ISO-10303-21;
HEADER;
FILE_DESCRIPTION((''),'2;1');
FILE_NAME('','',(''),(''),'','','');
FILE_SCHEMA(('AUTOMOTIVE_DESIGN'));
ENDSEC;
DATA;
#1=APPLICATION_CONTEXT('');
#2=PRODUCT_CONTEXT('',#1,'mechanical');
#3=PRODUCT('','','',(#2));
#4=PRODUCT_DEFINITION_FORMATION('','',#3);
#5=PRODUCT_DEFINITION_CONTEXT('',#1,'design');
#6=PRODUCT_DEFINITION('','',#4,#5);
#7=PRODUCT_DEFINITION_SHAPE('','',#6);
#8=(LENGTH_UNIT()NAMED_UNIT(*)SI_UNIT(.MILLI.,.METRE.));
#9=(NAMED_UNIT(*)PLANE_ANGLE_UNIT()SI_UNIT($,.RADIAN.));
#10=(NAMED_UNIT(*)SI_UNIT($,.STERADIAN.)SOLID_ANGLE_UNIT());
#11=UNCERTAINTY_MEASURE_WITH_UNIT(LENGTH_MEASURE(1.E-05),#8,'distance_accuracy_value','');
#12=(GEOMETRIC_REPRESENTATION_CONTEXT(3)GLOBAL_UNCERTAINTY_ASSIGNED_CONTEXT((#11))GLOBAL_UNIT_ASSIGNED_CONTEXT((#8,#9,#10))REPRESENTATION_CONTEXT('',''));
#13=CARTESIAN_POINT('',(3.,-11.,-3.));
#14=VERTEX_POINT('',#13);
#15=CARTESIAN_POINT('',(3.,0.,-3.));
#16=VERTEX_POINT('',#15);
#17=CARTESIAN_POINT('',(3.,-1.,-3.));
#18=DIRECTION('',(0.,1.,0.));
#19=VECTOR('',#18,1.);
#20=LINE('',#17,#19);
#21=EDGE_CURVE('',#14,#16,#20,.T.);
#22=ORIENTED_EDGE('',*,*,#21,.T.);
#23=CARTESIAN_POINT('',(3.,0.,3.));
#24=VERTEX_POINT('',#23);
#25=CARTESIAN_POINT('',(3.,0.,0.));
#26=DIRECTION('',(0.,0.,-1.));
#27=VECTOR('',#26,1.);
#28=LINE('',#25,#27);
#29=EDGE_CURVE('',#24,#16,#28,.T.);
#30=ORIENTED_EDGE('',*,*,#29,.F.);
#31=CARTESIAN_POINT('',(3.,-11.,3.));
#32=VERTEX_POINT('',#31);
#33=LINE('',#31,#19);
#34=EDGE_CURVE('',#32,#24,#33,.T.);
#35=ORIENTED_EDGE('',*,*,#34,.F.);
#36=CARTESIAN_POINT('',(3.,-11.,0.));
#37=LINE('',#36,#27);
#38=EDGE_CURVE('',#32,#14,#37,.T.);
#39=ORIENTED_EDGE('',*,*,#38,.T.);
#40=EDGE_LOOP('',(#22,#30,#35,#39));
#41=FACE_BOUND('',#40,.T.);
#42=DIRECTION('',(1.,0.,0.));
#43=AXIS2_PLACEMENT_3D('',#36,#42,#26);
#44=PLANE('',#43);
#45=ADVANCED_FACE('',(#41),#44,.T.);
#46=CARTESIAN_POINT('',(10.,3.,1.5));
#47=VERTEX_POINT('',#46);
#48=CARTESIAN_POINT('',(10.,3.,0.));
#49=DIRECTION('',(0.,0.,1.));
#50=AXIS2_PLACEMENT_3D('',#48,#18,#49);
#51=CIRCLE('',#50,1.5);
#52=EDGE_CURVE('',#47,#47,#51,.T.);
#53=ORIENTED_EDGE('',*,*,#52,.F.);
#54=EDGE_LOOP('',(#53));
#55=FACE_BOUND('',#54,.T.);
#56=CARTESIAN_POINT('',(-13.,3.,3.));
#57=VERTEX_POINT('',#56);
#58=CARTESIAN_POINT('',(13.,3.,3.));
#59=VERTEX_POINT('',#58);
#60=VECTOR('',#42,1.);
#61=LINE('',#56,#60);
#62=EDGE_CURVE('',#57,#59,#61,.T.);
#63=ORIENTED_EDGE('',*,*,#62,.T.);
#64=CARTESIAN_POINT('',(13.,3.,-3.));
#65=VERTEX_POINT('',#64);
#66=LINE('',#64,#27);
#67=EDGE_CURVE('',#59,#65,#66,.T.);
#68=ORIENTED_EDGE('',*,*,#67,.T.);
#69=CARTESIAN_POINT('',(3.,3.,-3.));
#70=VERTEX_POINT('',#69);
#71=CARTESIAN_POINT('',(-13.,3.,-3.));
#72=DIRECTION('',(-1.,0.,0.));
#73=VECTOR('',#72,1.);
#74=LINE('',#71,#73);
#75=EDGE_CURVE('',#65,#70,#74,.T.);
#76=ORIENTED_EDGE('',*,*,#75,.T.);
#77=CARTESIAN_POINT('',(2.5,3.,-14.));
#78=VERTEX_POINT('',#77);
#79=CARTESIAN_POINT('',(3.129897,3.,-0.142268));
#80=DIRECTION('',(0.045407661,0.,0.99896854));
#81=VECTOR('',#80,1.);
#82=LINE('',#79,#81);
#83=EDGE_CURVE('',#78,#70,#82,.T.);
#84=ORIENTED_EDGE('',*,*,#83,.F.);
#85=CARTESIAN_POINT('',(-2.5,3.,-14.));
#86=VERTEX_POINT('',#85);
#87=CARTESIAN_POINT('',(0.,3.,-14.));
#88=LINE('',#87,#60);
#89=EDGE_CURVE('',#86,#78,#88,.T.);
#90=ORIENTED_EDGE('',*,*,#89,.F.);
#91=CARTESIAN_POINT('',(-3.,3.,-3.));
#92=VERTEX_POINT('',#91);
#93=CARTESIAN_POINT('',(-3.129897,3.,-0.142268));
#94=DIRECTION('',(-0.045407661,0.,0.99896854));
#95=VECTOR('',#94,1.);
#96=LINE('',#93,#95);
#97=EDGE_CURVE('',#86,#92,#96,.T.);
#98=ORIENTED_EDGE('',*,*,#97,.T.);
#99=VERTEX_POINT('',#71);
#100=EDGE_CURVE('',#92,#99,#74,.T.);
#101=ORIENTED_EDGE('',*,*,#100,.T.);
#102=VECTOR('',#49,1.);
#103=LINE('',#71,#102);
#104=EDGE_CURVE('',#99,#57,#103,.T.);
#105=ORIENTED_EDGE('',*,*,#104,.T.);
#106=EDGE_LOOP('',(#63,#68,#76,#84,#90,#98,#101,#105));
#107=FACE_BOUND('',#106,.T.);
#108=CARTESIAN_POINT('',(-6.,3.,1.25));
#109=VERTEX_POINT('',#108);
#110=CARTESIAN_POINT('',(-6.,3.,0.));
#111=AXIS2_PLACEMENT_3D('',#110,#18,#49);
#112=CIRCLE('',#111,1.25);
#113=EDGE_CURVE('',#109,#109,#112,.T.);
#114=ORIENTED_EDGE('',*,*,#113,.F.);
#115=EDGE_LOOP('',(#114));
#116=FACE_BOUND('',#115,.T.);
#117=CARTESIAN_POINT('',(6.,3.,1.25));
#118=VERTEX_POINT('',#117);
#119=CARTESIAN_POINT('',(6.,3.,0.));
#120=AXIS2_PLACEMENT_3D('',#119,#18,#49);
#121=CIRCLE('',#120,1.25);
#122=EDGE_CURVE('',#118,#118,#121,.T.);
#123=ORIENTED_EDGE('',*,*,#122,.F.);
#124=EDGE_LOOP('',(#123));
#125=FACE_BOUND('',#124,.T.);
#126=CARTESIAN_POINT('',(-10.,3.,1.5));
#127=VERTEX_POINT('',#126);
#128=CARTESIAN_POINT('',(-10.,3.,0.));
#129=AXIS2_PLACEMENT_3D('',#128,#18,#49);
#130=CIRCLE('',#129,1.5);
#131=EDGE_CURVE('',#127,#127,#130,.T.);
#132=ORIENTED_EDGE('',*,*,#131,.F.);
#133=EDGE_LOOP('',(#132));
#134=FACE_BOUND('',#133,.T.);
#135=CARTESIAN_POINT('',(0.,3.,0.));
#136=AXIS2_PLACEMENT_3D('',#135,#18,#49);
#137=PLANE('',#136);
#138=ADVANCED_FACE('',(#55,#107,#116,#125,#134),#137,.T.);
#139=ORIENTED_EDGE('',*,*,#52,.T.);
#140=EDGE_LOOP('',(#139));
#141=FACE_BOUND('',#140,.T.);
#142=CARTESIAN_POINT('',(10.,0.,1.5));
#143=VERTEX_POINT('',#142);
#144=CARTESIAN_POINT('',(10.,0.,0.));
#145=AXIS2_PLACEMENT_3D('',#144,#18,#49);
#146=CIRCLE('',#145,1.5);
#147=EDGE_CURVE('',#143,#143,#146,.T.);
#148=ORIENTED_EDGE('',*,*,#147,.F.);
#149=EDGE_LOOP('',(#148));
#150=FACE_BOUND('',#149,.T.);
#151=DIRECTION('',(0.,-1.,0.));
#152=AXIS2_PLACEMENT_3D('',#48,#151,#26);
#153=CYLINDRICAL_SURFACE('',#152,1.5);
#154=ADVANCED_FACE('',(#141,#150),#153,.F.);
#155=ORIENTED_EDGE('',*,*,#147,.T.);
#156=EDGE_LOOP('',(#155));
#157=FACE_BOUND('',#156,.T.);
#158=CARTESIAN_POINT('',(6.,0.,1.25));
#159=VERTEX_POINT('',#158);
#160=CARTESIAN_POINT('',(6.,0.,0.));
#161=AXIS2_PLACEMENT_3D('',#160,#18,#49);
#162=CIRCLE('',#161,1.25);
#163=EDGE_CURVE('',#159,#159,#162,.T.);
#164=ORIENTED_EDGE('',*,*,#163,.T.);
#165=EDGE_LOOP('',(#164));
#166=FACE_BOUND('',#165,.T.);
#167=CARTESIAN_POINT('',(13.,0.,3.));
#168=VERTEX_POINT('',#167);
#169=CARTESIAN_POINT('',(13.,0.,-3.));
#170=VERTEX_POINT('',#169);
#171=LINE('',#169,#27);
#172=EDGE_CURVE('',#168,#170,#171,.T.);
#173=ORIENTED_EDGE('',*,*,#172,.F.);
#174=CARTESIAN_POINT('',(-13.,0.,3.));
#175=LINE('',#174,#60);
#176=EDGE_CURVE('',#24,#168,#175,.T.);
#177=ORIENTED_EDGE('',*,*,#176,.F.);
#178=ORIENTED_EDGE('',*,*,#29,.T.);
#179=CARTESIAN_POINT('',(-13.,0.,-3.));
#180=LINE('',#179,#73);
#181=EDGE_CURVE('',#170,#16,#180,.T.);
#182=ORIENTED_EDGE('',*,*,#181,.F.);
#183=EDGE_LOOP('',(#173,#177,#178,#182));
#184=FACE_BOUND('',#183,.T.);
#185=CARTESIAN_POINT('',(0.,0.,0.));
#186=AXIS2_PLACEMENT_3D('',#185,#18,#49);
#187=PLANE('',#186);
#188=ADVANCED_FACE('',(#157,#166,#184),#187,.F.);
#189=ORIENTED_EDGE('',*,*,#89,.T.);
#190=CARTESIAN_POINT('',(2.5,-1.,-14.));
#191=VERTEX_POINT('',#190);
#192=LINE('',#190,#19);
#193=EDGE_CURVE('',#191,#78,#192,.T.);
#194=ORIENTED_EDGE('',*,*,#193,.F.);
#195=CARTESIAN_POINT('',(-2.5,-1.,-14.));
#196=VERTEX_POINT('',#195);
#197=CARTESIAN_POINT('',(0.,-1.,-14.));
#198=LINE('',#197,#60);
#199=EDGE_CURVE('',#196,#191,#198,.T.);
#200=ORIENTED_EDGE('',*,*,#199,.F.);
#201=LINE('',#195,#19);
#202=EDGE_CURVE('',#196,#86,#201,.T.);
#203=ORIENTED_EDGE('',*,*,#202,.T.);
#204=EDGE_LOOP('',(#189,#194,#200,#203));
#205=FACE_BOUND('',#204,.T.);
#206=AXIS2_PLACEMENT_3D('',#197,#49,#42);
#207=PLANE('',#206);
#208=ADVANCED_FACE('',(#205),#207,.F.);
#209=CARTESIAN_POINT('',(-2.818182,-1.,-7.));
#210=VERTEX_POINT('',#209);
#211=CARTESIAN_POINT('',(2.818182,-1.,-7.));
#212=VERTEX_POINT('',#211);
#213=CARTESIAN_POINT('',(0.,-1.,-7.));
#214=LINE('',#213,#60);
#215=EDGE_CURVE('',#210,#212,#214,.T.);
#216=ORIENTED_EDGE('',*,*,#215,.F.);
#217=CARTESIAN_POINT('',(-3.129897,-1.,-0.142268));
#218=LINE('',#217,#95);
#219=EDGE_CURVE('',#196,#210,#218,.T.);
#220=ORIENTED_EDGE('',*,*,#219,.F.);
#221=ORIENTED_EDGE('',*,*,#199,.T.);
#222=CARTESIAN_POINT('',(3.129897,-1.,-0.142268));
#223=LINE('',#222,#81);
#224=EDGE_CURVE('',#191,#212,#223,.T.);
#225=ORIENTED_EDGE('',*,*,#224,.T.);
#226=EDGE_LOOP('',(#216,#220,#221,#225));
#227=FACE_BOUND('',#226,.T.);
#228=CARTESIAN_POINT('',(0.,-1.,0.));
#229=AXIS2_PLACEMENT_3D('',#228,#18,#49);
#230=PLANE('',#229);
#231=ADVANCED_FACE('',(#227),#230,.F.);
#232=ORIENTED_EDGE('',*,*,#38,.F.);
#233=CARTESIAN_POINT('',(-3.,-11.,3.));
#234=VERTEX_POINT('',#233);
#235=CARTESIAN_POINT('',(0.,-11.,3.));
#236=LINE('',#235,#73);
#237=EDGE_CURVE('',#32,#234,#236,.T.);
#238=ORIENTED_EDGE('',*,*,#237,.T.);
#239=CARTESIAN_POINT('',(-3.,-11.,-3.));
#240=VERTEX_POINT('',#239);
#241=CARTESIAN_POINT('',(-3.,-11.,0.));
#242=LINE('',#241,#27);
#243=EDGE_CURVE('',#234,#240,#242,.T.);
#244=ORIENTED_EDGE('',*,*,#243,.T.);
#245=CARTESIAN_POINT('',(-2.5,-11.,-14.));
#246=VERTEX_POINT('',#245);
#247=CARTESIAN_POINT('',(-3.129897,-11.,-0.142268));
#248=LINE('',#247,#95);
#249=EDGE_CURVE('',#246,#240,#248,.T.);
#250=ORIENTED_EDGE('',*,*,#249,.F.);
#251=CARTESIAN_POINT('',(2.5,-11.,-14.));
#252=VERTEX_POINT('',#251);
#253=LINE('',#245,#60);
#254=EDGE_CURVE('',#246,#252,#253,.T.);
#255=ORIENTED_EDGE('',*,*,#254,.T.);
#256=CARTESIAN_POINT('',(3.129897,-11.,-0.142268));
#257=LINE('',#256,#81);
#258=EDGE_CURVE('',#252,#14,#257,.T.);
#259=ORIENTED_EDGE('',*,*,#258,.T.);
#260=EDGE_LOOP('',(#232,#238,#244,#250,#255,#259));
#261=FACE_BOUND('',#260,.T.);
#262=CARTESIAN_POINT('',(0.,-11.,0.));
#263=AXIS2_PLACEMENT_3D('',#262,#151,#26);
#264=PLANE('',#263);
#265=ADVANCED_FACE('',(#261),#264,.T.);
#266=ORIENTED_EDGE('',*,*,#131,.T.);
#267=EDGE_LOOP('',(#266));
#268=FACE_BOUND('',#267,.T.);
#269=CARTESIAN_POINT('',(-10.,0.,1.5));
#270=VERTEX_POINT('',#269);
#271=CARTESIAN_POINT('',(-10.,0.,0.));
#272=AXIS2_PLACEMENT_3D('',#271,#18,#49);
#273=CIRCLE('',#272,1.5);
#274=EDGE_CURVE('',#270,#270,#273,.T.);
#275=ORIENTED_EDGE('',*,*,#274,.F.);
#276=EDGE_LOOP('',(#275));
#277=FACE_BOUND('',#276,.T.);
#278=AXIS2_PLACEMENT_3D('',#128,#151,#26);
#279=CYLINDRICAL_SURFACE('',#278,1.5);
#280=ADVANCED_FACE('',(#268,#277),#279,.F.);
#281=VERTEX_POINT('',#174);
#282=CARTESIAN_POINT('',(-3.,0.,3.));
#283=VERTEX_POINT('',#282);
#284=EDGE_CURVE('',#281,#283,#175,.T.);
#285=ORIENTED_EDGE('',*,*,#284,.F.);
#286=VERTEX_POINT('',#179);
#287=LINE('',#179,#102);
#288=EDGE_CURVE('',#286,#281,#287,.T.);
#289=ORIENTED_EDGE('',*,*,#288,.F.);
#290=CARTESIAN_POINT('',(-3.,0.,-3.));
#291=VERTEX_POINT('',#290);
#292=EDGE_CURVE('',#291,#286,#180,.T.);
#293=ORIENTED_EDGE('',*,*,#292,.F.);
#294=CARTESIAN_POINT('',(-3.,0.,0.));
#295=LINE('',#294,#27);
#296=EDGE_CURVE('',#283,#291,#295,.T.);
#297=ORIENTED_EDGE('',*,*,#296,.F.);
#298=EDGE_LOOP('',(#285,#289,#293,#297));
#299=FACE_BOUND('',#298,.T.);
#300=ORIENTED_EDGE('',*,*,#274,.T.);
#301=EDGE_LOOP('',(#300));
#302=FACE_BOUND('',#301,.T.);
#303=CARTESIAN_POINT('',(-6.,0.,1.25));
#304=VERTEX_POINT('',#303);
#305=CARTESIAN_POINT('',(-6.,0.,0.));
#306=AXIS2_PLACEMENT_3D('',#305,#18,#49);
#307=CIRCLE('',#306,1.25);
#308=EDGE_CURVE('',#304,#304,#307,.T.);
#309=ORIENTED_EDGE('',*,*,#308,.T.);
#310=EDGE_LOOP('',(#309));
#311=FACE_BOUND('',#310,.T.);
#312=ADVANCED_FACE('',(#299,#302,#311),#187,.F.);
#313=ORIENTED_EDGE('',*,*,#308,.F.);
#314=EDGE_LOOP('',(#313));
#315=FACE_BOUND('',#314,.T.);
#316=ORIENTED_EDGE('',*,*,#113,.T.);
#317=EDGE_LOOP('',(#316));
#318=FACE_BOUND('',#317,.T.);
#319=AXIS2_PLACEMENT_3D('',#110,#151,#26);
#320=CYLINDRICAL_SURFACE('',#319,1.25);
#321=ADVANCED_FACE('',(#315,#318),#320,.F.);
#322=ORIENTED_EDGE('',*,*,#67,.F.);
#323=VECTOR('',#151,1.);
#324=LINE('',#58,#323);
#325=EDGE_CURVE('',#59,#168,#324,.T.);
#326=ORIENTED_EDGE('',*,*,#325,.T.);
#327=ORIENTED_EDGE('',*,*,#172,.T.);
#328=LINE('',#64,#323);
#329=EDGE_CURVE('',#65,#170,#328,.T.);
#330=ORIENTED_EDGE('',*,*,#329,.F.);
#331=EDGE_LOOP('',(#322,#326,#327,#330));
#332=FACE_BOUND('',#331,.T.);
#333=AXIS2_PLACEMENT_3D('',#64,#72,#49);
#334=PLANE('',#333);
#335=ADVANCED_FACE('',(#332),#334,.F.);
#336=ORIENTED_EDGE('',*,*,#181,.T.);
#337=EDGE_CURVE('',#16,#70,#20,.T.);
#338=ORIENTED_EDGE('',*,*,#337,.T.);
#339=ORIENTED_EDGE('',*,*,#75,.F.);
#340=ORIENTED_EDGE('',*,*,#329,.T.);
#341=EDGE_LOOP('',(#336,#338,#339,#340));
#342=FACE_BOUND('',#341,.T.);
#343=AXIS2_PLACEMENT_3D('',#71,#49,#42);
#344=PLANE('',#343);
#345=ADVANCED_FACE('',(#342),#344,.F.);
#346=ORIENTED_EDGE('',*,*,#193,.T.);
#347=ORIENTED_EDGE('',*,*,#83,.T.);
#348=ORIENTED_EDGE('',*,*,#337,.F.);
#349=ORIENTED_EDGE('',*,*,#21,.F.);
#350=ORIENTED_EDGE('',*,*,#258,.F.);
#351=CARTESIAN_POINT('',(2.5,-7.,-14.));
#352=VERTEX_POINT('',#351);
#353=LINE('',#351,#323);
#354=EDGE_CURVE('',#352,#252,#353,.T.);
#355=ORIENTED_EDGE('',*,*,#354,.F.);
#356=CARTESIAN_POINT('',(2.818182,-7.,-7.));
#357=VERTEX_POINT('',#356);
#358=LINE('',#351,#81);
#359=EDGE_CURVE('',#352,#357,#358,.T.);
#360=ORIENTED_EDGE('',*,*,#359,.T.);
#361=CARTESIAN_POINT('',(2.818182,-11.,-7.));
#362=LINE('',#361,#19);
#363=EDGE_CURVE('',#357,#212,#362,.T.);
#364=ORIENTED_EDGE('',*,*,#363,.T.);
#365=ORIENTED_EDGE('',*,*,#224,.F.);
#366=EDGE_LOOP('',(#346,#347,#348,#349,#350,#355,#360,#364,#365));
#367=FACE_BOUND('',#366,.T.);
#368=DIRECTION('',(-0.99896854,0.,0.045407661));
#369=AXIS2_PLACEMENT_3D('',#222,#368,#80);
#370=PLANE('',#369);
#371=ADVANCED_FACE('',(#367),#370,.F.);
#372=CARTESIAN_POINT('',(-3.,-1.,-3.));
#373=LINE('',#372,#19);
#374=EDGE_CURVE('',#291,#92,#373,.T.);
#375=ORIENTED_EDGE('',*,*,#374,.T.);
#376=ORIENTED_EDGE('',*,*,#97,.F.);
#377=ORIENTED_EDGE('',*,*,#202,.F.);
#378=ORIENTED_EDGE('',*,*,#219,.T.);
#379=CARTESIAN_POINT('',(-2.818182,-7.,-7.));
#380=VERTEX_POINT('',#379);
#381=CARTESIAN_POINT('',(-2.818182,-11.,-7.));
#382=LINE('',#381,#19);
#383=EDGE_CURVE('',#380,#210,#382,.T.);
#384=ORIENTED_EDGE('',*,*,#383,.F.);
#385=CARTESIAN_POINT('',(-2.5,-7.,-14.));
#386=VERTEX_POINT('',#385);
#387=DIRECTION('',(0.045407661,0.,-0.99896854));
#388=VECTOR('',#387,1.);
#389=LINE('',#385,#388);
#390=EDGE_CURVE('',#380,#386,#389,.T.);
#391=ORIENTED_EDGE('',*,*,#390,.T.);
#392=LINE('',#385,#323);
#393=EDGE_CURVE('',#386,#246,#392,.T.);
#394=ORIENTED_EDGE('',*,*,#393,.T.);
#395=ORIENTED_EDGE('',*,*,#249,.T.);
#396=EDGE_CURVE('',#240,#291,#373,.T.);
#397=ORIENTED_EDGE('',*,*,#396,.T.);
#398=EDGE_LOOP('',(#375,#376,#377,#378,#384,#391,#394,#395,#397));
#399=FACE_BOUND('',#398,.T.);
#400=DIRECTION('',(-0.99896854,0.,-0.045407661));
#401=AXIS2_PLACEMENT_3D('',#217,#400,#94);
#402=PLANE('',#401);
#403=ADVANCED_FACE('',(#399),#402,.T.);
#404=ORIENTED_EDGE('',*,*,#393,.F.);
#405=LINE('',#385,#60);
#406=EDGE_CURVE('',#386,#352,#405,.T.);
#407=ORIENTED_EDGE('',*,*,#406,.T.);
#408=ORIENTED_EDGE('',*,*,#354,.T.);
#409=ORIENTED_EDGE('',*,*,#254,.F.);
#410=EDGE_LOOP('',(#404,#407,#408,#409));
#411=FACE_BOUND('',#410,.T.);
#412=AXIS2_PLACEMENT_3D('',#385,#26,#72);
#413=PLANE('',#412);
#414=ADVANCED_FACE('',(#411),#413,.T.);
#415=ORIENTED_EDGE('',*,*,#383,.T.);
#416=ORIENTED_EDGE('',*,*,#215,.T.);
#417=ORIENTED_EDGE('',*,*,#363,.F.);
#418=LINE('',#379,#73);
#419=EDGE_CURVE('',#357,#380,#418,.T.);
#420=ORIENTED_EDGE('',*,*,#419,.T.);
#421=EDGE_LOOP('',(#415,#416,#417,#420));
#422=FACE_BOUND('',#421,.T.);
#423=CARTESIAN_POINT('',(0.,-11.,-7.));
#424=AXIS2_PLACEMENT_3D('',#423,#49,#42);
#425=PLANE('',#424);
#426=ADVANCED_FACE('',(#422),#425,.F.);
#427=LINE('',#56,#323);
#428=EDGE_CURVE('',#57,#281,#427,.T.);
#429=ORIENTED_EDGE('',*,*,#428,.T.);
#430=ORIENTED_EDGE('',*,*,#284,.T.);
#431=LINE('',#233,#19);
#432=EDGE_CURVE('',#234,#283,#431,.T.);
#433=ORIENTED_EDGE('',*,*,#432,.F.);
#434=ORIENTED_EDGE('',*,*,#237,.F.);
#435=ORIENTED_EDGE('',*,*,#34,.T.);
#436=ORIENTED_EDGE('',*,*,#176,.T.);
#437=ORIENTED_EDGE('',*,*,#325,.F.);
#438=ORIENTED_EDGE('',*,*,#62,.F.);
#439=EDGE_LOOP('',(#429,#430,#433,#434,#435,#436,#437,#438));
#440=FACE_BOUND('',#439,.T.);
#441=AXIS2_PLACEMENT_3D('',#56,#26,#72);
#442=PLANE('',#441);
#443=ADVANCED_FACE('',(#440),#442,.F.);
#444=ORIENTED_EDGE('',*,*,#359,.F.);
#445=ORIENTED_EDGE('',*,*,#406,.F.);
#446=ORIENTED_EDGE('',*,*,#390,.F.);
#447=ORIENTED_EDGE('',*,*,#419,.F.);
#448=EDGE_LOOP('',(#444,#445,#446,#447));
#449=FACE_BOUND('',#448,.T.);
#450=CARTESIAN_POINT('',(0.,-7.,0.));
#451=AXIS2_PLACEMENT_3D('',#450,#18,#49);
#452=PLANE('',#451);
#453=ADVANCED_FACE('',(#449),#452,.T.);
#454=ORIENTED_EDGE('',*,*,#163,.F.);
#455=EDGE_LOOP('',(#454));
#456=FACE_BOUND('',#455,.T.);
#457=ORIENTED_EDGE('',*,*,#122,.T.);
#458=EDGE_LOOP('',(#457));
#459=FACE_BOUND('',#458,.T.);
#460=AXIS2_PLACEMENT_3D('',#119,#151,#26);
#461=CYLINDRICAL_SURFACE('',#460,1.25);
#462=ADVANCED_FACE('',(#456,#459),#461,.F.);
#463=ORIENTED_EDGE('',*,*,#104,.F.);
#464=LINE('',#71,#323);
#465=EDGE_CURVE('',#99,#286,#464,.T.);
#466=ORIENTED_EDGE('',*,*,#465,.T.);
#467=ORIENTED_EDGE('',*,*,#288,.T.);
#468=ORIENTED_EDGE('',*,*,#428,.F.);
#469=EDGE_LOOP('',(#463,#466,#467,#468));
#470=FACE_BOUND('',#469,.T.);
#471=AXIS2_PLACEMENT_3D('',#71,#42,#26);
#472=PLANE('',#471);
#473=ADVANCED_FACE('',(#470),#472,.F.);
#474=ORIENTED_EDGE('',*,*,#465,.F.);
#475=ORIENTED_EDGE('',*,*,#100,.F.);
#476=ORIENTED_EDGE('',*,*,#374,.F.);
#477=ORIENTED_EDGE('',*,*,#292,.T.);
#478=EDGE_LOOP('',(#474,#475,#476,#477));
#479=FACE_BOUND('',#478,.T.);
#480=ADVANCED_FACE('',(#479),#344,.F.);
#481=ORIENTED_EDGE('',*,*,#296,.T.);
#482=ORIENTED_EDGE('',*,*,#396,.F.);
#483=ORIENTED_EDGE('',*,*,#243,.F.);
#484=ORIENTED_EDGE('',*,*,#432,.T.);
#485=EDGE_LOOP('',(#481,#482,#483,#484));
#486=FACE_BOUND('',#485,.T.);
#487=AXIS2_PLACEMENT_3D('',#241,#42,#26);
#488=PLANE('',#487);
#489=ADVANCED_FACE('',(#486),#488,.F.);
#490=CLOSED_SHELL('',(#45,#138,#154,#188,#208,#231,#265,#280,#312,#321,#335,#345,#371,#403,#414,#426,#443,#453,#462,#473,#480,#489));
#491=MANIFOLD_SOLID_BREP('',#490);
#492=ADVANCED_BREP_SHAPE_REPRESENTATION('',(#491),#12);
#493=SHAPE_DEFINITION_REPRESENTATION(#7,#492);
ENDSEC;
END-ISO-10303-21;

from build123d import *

# Parameters (mm, degrees)
SKETCH_1_W      = 26
SKETCH_1_H      = 6
SKETCH_1_R      = 1.5
SKETCH_1_R_2    = 1.25
EXTRUDE_1_DEPTH = 3
EXTRUDE_2_DEPTH = 4
EXTRUDE_3_DEPTH = 11
EXTRUDE_4_DEPTH = 4


with BuildPart() as part:
    # 草图1 → 凸台-拉伸1 (new body)
    with BuildSketch(Plane(origin=(0, 0, 0), x_dir=(1, 0, 0), z_dir=(0, 1, 0))):
        Rectangle(SKETCH_1_W, SKETCH_1_H)
        with Locations(Location((-10, 0, 0), (0, 0, 270))):
            Circle(SKETCH_1_R, mode=Mode.SUBTRACT)
        with Locations(Location((-6, 0, 0), (0, 0, 270))):
            Circle(SKETCH_1_R_2, mode=Mode.SUBTRACT)
        with Locations(Location((10, 0, 0), (0, 0, 270))):
            Circle(SKETCH_1_R, mode=Mode.SUBTRACT)
        with Locations(Location((6, 0, 0), (0, 0, 270))):
            Circle(SKETCH_1_R_2, mode=Mode.SUBTRACT)
    extrude(amount=EXTRUDE_1_DEPTH)

    # 草图2 → 凸台-拉伸2 (add)
    with BuildSketch(Plane(origin=(0, 3, 0), x_dir=(1, 0, 0), z_dir=(0, 1, 0))):
        Polygon((0, 14), (0, 3), (3, 3), (2.5, 14), align=None)
        Polygon((-3, 3), (0, 3), (0, 14), (-2.5, 14), align=None)
    extrude(amount=-EXTRUDE_2_DEPTH)

    # 草图3 → 凸台-拉伸3 (add)
    with BuildSketch(Plane.XZ):
        Polygon((2.818181818, -7), (3, -3), (0, -3), (0, -7), align=None)
        Polygon((0, -3), (-3, -3), (-2.818181818, -7), (0, -7), align=None)
        Polygon((3, 3), (-3, 3), (-3, -3), (0, -3), (3, -3), align=None)
    extrude(amount=EXTRUDE_3_DEPTH)

    # 草图4 → 凸台-拉伸4 (add)
    with BuildSketch(Plane.XZ.offset(11)):
        Polygon((-2.5, -14), (2.5, -14), (2.818181818, -7), (-2.818181818, -7), align=None)
    extrude(amount=-EXTRUDE_4_DEPTH)


solid = part.part
